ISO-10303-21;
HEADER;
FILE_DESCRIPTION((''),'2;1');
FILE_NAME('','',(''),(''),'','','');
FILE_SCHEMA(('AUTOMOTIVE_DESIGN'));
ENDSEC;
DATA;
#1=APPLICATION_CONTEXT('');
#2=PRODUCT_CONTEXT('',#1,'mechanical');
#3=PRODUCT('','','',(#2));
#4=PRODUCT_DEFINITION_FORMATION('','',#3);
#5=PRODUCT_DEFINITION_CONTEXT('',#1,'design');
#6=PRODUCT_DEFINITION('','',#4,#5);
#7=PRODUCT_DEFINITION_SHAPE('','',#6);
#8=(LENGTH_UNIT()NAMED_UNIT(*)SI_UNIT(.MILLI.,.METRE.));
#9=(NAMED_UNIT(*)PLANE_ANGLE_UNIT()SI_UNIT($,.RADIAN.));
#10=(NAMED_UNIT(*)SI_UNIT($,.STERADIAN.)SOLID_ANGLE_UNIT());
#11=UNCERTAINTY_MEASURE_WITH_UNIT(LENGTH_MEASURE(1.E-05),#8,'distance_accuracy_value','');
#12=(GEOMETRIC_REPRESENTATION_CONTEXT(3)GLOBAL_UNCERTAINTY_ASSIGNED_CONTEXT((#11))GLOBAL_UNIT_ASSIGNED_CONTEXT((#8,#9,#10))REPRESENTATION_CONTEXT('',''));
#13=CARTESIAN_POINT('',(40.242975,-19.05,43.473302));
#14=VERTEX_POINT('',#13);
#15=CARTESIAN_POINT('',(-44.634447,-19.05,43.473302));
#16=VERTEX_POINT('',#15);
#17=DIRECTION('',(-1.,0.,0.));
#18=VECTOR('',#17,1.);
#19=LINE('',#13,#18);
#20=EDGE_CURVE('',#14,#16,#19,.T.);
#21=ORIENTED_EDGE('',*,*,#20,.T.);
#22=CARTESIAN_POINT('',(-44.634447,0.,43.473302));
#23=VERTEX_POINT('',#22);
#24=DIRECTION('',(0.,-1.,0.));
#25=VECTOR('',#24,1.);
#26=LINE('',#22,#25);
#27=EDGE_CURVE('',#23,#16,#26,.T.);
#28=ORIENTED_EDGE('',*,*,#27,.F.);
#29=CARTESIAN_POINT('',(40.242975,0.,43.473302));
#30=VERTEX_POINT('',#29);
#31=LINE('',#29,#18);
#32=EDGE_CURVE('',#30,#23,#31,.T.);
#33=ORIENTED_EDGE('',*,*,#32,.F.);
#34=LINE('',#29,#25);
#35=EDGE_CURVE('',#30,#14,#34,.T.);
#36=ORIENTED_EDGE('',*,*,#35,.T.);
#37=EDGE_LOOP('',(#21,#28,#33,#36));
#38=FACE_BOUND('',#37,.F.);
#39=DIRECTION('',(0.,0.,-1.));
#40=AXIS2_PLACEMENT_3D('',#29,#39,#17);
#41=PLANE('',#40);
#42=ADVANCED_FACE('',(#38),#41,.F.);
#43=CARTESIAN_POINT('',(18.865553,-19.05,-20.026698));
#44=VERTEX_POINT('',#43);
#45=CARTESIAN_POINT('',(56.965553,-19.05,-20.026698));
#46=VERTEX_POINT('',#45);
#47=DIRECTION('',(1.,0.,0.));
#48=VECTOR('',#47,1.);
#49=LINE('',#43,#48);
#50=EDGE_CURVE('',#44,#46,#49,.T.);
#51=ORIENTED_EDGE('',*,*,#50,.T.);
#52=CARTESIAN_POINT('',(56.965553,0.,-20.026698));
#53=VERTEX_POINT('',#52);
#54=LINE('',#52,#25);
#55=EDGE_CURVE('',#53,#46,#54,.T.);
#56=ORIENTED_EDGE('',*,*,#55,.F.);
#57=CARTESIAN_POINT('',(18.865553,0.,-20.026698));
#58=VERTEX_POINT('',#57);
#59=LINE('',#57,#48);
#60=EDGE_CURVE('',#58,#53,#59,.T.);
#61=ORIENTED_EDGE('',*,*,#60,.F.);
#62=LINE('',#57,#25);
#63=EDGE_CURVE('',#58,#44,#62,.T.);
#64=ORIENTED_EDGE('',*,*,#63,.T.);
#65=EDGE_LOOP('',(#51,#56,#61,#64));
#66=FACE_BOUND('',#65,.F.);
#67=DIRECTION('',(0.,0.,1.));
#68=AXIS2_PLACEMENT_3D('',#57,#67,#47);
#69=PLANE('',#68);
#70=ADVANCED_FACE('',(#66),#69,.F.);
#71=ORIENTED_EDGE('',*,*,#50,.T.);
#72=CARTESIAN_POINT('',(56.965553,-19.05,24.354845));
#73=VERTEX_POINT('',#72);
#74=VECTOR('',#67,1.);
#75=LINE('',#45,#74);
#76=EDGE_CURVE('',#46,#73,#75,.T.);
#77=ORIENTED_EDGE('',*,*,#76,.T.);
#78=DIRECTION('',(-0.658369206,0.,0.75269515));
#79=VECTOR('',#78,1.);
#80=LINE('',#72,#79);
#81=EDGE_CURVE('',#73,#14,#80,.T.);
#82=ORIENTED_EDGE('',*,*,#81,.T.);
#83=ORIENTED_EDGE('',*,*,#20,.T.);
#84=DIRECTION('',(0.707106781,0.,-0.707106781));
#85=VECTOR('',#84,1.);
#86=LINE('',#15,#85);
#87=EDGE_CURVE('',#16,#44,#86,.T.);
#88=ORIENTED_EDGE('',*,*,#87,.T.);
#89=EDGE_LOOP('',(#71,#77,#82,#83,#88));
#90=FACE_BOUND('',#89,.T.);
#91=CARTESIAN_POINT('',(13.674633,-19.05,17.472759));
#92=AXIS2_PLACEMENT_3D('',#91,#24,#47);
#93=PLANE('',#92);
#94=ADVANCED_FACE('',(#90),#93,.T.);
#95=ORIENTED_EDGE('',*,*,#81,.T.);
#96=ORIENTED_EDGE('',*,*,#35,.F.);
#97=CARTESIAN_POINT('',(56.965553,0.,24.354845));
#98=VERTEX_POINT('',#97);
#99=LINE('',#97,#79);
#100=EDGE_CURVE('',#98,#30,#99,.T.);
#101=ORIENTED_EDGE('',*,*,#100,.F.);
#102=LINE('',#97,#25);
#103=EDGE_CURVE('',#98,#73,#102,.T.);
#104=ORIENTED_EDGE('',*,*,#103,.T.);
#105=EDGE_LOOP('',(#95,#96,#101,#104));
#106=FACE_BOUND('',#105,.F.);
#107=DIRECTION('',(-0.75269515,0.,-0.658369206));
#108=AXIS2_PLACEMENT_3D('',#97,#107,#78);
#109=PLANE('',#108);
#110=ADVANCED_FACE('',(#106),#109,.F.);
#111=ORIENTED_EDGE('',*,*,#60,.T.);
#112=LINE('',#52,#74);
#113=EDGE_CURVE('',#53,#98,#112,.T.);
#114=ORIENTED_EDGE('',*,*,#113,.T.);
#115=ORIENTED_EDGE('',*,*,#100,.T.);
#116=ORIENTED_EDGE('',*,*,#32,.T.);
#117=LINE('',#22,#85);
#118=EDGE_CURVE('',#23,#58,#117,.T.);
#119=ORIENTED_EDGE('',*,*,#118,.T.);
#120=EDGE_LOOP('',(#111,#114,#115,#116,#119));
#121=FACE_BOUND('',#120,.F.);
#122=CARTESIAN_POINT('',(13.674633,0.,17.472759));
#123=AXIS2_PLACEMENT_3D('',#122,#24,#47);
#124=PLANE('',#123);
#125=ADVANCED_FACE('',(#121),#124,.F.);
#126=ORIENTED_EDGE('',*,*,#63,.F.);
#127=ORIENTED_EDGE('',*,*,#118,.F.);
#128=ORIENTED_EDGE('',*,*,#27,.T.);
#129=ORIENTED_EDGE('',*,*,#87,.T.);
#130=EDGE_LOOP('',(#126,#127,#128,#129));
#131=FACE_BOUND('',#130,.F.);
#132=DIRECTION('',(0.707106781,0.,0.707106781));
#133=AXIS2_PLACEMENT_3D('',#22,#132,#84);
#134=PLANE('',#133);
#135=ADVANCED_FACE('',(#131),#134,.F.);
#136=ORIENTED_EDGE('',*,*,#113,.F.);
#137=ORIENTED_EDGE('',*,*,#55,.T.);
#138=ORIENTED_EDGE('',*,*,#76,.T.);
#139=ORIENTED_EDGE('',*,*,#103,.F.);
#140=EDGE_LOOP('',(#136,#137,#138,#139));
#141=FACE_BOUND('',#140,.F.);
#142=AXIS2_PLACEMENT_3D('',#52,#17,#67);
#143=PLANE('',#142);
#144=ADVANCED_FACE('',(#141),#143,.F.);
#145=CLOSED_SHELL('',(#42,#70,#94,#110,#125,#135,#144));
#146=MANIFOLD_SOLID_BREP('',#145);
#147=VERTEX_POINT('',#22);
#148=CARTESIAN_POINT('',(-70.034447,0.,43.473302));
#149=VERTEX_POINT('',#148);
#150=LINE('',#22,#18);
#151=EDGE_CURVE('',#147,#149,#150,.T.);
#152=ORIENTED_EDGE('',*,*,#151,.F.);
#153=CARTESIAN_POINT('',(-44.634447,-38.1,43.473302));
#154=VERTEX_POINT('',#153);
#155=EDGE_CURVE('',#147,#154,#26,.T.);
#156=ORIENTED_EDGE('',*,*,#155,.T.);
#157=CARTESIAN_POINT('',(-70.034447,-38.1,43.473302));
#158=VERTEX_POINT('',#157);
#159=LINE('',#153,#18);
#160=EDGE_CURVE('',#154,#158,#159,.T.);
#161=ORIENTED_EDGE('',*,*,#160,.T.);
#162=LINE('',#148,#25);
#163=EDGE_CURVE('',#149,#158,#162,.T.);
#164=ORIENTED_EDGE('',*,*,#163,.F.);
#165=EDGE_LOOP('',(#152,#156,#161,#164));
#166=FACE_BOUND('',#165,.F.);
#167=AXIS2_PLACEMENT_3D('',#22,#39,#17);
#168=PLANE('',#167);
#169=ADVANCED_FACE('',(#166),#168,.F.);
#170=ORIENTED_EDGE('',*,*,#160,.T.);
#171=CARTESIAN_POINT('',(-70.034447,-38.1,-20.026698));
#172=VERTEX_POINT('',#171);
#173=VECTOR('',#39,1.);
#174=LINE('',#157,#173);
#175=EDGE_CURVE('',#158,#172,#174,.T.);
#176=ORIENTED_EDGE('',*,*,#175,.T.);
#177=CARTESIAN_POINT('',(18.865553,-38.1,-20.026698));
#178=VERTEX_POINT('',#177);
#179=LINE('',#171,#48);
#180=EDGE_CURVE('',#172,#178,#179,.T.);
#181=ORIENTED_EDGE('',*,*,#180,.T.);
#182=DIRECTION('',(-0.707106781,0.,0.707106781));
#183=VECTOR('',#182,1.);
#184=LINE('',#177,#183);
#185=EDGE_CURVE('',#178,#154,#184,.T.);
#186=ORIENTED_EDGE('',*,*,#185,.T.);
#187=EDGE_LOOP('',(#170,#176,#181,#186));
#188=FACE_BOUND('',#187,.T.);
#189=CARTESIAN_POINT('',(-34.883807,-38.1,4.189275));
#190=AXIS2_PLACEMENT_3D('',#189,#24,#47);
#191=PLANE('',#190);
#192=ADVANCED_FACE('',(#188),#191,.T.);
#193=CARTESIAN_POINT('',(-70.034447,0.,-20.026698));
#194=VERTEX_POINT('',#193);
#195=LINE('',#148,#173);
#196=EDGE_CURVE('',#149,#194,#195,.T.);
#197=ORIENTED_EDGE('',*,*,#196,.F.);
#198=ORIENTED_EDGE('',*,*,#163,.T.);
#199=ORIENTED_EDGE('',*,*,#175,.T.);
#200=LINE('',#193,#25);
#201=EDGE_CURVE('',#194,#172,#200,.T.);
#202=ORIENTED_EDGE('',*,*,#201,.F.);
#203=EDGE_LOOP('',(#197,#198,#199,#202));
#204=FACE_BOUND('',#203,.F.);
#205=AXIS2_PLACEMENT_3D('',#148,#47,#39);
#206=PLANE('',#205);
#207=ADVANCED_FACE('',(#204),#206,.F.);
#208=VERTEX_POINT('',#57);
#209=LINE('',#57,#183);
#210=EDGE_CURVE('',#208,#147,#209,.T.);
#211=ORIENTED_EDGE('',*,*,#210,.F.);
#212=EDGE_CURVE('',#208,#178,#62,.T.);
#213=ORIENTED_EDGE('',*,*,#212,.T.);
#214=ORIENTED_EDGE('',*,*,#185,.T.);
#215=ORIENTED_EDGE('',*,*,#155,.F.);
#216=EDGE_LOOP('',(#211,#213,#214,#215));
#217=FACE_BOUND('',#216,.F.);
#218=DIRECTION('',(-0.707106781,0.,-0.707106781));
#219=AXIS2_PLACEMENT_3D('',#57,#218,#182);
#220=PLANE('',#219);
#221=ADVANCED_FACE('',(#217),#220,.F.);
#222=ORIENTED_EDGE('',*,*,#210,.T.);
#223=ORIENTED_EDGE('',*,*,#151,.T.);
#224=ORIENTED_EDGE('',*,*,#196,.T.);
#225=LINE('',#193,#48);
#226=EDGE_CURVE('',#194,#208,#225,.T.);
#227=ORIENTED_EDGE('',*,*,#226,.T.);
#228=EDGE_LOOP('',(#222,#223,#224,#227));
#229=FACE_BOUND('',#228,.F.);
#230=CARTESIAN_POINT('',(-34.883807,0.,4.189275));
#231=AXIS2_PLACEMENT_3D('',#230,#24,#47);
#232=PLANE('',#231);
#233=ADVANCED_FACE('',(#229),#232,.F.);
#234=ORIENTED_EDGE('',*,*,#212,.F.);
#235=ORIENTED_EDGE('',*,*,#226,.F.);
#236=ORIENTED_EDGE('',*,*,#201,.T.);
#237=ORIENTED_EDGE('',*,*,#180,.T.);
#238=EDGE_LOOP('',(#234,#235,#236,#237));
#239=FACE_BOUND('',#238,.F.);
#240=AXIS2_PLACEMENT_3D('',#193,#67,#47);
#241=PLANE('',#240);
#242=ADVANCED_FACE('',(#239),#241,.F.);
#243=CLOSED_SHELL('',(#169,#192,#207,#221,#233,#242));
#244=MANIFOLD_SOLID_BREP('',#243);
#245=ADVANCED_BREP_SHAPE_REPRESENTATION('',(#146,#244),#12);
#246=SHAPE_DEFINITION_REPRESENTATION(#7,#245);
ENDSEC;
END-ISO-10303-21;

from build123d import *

# Parameters (mm, degrees)
F1_DEPTH = 38.1
F2_DEPTH = 19.05


with BuildPart() as f1:
    # F0 (on Front) → F1 (new body)
    with BuildSketch(Plane.XZ):
        Polygon((-44.634447, 43.473302), (-70.034447, 43.473302), (-70.034447, -20.026698), (18.865553, -20.026698), align=None)
    extrude(amount=F1_DEPTH)


with BuildPart() as f2:
    # F0 (on Front) → F2 (new body)
    with BuildSketch(Plane.XZ):
        Polygon((40.242975, 43.473302), (-44.634447, 43.473302), (18.865553, -20.026698), (56.965553, -20.026698), (56.965553, 24.354845), align=None)
    extrude(amount=F2_DEPTH)


solid = Compound([f1.part, f2.part])
